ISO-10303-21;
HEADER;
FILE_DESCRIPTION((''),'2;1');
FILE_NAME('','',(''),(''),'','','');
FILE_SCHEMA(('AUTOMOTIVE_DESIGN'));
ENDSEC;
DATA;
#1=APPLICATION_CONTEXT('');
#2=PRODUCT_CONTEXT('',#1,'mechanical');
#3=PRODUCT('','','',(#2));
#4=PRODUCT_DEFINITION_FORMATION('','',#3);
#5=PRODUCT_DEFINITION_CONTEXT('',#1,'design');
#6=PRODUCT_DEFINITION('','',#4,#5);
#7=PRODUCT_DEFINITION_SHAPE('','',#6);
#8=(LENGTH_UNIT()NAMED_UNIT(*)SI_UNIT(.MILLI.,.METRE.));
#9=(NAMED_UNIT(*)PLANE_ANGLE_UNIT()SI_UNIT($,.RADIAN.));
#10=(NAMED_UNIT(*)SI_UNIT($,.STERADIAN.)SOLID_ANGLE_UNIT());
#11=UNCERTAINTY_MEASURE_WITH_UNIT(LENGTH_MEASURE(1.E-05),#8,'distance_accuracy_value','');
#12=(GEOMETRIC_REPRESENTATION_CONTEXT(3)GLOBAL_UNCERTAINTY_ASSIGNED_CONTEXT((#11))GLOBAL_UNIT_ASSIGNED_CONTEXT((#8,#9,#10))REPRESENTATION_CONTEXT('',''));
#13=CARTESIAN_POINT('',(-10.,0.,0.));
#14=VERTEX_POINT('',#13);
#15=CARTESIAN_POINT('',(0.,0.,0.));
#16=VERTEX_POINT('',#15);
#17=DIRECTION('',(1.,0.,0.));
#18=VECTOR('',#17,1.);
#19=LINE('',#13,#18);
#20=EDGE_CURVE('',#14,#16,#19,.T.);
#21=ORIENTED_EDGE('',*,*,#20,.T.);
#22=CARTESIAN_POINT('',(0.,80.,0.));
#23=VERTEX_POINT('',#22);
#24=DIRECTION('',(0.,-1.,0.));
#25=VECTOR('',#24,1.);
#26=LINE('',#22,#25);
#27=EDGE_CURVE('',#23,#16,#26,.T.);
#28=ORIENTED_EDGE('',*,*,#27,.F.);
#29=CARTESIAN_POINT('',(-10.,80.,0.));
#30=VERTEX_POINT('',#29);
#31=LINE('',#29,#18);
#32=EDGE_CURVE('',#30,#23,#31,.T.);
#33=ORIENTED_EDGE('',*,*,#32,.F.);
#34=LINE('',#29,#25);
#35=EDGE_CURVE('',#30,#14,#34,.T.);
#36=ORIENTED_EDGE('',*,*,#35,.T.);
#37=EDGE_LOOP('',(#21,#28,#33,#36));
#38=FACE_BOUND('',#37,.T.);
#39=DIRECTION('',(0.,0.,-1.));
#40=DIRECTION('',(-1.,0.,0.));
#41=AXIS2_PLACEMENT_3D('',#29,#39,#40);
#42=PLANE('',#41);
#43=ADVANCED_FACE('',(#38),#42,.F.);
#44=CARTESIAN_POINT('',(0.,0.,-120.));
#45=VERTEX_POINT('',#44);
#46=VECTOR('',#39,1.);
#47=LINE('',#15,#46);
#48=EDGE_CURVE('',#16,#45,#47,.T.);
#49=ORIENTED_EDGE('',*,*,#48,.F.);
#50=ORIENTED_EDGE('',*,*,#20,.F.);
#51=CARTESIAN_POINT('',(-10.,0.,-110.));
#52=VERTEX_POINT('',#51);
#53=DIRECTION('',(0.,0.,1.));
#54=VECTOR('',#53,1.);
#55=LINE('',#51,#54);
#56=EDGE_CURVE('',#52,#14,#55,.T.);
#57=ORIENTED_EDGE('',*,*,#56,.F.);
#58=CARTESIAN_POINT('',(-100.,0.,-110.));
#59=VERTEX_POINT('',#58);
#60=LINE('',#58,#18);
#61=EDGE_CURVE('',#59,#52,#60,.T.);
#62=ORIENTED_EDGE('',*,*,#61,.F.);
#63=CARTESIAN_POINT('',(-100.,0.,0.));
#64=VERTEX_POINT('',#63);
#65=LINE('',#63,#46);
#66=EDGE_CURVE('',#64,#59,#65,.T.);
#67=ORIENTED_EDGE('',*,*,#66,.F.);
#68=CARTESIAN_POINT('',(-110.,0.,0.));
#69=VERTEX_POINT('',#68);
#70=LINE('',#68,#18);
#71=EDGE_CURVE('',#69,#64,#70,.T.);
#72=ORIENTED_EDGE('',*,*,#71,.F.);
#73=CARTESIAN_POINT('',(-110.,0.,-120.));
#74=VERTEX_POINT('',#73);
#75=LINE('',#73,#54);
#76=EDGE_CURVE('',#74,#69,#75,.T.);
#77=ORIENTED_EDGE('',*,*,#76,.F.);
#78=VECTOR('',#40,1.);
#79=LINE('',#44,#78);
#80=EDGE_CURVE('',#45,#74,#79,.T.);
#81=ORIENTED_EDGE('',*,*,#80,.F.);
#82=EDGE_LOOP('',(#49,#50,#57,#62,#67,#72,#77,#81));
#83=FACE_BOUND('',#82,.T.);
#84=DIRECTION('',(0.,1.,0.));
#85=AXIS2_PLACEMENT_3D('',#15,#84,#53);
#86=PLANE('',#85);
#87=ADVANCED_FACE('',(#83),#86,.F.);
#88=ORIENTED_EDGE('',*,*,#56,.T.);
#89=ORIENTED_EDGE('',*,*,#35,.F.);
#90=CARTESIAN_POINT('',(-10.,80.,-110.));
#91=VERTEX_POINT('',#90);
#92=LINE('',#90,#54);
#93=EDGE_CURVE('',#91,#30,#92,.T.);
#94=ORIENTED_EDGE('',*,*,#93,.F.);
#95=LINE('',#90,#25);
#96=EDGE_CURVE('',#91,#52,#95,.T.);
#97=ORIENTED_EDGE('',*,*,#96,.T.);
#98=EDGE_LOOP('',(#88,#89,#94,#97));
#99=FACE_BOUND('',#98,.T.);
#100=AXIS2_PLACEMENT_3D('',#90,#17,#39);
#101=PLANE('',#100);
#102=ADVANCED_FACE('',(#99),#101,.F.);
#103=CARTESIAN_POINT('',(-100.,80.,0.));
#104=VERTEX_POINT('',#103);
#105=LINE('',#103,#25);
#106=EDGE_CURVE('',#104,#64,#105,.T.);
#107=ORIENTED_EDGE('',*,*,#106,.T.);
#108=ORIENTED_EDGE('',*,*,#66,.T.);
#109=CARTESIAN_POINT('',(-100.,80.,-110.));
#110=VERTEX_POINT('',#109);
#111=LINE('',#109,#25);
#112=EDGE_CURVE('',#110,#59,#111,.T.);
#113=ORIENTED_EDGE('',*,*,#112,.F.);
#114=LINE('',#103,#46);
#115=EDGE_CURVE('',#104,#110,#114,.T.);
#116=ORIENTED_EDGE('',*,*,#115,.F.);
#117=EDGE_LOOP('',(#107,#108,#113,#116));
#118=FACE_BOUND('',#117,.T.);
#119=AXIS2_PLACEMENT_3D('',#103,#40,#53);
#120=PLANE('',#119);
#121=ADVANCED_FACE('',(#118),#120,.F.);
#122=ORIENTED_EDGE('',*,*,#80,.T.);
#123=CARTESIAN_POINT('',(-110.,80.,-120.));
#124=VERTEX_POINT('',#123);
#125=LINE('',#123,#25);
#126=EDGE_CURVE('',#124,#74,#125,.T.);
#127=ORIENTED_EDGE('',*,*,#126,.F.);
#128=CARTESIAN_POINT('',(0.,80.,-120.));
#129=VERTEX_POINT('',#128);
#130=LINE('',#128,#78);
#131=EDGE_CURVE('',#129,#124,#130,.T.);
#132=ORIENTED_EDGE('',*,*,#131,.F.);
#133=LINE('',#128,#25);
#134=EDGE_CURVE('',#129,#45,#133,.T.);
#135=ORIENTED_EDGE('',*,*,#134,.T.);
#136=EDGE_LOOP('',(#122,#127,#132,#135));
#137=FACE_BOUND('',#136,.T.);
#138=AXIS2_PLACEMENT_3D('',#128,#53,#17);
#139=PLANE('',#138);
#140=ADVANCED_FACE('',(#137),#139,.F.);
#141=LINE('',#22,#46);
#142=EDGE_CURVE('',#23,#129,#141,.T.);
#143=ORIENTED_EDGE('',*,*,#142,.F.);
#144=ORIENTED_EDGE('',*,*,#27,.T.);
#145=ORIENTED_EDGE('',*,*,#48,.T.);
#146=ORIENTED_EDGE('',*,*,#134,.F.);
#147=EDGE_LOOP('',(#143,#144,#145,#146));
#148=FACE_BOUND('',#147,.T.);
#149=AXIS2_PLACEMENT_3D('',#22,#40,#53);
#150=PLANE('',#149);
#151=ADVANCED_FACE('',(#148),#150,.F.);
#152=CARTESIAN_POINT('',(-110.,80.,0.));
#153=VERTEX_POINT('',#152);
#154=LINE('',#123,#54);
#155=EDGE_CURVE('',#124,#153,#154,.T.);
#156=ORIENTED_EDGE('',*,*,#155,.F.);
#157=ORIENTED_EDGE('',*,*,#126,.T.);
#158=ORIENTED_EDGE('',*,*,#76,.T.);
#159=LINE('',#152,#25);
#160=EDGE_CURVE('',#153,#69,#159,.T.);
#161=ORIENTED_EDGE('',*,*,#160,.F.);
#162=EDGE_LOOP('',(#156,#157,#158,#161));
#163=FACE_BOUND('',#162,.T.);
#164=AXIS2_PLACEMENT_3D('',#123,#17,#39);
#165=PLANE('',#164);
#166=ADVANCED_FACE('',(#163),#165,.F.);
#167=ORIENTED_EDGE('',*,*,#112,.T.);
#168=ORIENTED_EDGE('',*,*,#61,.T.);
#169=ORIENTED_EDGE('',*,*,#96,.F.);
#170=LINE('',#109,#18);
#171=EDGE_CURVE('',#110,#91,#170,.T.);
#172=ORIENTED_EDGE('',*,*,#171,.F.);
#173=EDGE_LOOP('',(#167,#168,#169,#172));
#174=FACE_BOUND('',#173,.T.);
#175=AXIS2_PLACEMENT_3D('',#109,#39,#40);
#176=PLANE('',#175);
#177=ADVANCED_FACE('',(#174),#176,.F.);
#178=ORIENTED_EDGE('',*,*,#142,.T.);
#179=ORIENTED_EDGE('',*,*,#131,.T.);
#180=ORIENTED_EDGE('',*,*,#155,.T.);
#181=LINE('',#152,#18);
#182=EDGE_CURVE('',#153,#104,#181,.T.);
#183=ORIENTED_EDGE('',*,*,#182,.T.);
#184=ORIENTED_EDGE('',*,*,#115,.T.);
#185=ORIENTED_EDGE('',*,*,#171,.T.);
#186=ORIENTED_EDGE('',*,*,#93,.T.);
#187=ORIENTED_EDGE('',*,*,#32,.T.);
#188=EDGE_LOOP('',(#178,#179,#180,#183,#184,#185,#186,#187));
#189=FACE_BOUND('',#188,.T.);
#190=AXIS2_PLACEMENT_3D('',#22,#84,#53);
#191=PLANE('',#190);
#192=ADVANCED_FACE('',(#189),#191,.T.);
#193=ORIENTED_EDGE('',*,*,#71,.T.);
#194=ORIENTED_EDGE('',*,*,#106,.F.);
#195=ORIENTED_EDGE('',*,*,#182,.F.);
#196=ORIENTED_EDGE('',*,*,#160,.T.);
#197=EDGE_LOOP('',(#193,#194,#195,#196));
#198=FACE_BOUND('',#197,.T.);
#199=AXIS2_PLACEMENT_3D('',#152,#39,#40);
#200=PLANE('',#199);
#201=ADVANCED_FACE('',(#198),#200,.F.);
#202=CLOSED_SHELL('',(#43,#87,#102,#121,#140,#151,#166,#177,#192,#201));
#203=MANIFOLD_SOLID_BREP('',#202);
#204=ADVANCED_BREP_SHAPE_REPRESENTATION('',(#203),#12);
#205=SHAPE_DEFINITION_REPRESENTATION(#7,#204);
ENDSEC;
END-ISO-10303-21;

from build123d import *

# Parameters (mm, degrees)
BOSS_EXTRUDE1_DEPTH = 80


with BuildPart() as part:
    # Sketch1 → Boss-Extrude1 (new body)
    with BuildSketch(Plane(origin=(0, 0, 0), x_dir=(1, 0, 0), z_dir=(0, 1, 0))):
        Polygon((0, 0), (0, 120), (-110, 120), (-110, 0), (-100, 0), (-100, 110), (-10, 110), (-10, 0), align=None)
    extrude(amount=BOSS_EXTRUDE1_DEPTH)


solid = part.part
